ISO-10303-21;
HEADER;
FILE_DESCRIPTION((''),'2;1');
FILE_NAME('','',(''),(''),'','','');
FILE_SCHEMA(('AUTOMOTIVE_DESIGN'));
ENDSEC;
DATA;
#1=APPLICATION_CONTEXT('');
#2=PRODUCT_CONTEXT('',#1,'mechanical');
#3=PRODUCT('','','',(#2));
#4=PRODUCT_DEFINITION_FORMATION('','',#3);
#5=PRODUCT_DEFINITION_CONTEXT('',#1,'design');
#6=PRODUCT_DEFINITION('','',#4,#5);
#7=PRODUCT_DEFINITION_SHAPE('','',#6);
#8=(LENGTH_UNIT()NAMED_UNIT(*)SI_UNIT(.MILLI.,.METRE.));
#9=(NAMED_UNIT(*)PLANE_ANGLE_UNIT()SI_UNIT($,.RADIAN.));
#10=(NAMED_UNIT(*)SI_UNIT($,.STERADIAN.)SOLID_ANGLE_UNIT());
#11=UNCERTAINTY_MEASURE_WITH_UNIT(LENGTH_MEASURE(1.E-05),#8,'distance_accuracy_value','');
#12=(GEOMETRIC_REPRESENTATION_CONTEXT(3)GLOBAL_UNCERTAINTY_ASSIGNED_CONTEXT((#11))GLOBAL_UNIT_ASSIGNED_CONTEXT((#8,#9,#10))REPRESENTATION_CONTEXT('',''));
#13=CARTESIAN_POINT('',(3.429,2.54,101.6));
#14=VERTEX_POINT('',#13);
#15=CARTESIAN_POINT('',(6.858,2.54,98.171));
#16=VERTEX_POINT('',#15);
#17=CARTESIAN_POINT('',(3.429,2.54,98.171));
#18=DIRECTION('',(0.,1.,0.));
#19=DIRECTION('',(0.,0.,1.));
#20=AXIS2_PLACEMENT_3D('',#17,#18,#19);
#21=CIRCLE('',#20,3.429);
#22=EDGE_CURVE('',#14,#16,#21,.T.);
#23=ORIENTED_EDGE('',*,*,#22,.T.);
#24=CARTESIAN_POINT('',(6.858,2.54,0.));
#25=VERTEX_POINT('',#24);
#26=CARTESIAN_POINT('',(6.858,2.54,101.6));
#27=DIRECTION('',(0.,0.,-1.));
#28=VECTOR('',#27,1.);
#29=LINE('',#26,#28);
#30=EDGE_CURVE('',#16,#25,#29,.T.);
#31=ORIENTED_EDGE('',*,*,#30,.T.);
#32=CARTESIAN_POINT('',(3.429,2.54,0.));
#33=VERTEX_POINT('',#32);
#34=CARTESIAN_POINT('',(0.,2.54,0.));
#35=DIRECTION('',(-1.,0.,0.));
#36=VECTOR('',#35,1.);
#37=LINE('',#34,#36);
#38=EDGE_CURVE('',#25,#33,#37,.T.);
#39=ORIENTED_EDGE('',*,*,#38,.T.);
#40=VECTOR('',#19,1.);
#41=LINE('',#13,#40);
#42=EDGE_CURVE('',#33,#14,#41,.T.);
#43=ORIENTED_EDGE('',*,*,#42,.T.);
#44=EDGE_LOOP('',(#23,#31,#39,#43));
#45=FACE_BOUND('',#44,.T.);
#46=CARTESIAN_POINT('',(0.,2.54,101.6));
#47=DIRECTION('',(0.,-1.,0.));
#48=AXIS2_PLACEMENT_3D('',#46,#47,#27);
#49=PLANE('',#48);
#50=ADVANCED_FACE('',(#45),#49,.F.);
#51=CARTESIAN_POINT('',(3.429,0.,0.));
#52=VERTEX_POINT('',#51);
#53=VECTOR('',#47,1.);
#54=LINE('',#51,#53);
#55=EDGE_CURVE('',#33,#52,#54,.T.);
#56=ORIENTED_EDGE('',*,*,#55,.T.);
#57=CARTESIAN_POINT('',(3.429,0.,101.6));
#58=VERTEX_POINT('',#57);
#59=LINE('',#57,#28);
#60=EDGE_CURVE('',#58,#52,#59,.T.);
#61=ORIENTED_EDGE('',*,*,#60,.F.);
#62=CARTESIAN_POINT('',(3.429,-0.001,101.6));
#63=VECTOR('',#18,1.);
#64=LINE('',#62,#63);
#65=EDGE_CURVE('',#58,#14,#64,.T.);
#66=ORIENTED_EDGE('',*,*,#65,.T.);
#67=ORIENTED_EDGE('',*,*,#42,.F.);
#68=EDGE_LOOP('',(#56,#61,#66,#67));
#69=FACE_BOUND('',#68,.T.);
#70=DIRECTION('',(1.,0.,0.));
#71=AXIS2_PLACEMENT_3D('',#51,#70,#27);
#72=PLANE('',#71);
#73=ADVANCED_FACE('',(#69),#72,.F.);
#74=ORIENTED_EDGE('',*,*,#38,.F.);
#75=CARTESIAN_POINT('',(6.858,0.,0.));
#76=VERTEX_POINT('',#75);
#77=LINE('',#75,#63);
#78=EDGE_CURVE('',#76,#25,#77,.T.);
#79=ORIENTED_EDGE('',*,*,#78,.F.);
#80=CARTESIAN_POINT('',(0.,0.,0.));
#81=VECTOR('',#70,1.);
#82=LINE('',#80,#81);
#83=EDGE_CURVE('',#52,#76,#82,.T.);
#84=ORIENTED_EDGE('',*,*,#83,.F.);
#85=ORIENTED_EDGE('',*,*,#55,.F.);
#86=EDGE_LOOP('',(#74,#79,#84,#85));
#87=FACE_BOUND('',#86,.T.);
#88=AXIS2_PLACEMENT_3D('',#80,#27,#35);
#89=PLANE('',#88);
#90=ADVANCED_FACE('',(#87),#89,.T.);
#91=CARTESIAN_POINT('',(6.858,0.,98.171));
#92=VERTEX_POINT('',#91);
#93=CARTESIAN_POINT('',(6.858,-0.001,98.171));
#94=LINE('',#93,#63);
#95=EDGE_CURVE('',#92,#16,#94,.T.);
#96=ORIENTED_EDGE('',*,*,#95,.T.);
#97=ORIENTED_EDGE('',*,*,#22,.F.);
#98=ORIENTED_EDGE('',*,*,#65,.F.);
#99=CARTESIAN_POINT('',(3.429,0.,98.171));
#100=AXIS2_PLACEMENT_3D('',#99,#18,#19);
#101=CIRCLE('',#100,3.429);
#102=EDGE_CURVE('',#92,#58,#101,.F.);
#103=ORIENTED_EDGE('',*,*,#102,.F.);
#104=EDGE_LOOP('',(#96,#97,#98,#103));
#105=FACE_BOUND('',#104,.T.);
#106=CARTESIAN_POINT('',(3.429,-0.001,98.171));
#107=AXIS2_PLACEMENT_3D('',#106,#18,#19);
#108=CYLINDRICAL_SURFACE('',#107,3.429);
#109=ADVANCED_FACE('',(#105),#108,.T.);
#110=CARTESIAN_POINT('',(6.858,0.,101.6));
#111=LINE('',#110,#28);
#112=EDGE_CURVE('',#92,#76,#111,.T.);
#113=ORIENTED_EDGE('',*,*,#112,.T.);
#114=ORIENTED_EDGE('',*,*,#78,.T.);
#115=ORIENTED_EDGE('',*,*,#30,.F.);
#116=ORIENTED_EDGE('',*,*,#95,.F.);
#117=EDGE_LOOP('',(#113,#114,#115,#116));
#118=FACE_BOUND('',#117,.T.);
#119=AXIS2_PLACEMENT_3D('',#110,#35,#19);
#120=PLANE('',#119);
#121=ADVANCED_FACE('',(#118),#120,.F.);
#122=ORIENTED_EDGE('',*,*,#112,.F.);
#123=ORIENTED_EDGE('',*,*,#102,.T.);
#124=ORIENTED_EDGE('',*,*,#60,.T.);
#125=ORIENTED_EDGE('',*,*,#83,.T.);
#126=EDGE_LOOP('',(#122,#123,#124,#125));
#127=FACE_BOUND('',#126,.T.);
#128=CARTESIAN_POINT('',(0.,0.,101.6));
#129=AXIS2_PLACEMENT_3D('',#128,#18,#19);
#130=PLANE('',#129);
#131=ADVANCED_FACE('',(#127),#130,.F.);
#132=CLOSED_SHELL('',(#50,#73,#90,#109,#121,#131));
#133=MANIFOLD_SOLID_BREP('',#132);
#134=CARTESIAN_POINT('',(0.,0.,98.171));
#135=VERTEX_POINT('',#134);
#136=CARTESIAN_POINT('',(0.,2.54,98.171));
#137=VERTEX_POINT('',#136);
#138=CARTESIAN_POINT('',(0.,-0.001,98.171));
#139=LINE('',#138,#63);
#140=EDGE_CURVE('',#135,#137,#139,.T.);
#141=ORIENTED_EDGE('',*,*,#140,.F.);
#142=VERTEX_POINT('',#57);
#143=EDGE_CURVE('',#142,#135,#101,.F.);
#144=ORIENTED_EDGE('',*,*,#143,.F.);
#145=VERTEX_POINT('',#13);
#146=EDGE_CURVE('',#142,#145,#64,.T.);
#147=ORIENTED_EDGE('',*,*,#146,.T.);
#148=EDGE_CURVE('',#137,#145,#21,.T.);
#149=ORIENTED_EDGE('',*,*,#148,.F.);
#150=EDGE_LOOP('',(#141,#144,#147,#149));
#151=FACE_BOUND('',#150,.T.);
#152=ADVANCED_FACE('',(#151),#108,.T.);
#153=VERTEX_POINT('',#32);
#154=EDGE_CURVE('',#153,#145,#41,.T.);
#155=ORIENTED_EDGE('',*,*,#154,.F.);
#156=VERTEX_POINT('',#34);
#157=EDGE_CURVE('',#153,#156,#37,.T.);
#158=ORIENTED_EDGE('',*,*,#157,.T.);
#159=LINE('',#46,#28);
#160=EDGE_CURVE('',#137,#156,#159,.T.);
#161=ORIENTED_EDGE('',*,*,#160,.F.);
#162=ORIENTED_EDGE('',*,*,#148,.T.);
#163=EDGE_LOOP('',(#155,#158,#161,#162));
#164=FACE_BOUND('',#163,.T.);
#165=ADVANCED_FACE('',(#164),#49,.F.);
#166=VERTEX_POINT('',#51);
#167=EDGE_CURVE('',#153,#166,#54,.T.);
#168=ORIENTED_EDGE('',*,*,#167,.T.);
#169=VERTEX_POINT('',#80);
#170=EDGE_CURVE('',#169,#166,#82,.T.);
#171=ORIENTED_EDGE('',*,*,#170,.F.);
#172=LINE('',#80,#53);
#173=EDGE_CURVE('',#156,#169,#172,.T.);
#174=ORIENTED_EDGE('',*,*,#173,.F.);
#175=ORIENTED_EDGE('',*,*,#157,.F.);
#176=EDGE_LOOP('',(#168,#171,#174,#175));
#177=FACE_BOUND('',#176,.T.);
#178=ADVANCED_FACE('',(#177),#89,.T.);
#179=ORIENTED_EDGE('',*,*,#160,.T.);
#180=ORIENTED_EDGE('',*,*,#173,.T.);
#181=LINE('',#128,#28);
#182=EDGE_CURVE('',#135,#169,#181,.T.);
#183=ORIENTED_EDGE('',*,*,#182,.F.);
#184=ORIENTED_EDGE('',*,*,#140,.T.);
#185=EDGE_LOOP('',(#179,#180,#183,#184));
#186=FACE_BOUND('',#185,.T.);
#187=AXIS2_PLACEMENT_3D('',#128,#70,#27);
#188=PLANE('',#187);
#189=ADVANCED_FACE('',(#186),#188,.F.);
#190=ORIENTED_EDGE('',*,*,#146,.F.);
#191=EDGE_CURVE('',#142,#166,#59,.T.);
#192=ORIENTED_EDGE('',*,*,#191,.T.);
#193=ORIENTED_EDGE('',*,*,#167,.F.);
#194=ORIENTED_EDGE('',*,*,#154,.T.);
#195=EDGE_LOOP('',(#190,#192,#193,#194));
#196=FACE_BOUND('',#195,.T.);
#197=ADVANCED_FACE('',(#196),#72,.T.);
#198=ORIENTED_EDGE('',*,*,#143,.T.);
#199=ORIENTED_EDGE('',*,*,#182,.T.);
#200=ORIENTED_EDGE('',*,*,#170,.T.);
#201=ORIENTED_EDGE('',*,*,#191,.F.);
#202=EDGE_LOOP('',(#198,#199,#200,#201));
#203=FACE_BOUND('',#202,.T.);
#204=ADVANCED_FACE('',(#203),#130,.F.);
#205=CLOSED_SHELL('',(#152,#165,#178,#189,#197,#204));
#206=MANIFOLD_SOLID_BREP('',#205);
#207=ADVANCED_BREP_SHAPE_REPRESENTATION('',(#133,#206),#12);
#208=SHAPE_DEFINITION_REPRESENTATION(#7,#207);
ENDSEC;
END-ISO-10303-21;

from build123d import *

# Parameters (mm, degrees)
SKETCH1_W           = 6.858
SKETCH1_H           = 2.54
BOSS_EXTRUDE1_DEPTH = 101.6
CUT_EXTRUDE1_REACH  = 103.863


with BuildPart() as part:
    # Sketch1 → Boss-Extrude1 (new body)
    with BuildSketch(Plane.XY):
        with Locations((3.429, 1.27)):
            Rectangle(SKETCH1_W, SKETCH1_H)
    extrude(amount=BOSS_EXTRUDE1_DEPTH)

    # Sketch2 → Cut-Extrude1 (cut, up to next)
    with BuildSketch(Plane(origin=(0, 2.54, 0), x_dir=(1, 0, 0), z_dir=(0, 1, 0)), mode=Mode.PRIVATE) as cut_extrude1_sk1:
        with BuildLine():
            Line((0, -101.6), (3.429, -101.6))
            ThreePointArc((3.429, -101.6), (1.004330847, -100.595669153), (0, -98.171))
            Line((0, -98.171), (0, -101.6))
        make_face()
    cut_extrude1_tool1 = extrude(cut_extrude1_sk1.sketch, amount=-CUT_EXTRUDE1_REACH, mode=Mode.PRIVATE) & part.part
    # Sketch2 → Cut-Extrude1 (cut, up to next)
    with BuildSketch(Plane(origin=(0, 2.54, 0), x_dir=(1, 0, 0), z_dir=(0, 1, 0)), mode=Mode.PRIVATE) as cut_extrude1_sk2:
        with BuildLine():
            Line((6.858, -101.6), (6.858, -98.171))
            ThreePointArc((6.858, -98.171), (5.853669153, -100.595669153), (3.429, -101.6))
            Line((3.429, -101.6), (6.858, -101.6))
        make_face()
    cut_extrude1_tool2 = extrude(cut_extrude1_sk2.sketch, amount=-CUT_EXTRUDE1_REACH, mode=Mode.PRIVATE) & part.part
    add(cut_extrude1_tool1.solids().sort_by_distance((0.765929, 2.54, 100.834071))[0], mode=Mode.SUBTRACT)
    add(cut_extrude1_tool2.solids().sort_by_distance((6.092071, 2.54, 100.834071))[0], mode=Mode.SUBTRACT)


with BuildPart() as body_2:
    # Split1: the piece on the far side of the plane
    add(part.part)
    split(bisect_by=Plane(origin=(3.429, 0, 0), x_dir=(0, 0, 1), z_dir=(1, 0, 0)), keep=Keep.BOTTOM)


with BuildPart() as part_1:
    add(part.part)

    # Split1
    split(bisect_by=Plane(origin=(3.429, 0, 0), x_dir=(0, 0, 1), z_dir=(1, 0, 0)), keep=Keep.TOP)


solid = Compound([body_2.part, part_1.part])
